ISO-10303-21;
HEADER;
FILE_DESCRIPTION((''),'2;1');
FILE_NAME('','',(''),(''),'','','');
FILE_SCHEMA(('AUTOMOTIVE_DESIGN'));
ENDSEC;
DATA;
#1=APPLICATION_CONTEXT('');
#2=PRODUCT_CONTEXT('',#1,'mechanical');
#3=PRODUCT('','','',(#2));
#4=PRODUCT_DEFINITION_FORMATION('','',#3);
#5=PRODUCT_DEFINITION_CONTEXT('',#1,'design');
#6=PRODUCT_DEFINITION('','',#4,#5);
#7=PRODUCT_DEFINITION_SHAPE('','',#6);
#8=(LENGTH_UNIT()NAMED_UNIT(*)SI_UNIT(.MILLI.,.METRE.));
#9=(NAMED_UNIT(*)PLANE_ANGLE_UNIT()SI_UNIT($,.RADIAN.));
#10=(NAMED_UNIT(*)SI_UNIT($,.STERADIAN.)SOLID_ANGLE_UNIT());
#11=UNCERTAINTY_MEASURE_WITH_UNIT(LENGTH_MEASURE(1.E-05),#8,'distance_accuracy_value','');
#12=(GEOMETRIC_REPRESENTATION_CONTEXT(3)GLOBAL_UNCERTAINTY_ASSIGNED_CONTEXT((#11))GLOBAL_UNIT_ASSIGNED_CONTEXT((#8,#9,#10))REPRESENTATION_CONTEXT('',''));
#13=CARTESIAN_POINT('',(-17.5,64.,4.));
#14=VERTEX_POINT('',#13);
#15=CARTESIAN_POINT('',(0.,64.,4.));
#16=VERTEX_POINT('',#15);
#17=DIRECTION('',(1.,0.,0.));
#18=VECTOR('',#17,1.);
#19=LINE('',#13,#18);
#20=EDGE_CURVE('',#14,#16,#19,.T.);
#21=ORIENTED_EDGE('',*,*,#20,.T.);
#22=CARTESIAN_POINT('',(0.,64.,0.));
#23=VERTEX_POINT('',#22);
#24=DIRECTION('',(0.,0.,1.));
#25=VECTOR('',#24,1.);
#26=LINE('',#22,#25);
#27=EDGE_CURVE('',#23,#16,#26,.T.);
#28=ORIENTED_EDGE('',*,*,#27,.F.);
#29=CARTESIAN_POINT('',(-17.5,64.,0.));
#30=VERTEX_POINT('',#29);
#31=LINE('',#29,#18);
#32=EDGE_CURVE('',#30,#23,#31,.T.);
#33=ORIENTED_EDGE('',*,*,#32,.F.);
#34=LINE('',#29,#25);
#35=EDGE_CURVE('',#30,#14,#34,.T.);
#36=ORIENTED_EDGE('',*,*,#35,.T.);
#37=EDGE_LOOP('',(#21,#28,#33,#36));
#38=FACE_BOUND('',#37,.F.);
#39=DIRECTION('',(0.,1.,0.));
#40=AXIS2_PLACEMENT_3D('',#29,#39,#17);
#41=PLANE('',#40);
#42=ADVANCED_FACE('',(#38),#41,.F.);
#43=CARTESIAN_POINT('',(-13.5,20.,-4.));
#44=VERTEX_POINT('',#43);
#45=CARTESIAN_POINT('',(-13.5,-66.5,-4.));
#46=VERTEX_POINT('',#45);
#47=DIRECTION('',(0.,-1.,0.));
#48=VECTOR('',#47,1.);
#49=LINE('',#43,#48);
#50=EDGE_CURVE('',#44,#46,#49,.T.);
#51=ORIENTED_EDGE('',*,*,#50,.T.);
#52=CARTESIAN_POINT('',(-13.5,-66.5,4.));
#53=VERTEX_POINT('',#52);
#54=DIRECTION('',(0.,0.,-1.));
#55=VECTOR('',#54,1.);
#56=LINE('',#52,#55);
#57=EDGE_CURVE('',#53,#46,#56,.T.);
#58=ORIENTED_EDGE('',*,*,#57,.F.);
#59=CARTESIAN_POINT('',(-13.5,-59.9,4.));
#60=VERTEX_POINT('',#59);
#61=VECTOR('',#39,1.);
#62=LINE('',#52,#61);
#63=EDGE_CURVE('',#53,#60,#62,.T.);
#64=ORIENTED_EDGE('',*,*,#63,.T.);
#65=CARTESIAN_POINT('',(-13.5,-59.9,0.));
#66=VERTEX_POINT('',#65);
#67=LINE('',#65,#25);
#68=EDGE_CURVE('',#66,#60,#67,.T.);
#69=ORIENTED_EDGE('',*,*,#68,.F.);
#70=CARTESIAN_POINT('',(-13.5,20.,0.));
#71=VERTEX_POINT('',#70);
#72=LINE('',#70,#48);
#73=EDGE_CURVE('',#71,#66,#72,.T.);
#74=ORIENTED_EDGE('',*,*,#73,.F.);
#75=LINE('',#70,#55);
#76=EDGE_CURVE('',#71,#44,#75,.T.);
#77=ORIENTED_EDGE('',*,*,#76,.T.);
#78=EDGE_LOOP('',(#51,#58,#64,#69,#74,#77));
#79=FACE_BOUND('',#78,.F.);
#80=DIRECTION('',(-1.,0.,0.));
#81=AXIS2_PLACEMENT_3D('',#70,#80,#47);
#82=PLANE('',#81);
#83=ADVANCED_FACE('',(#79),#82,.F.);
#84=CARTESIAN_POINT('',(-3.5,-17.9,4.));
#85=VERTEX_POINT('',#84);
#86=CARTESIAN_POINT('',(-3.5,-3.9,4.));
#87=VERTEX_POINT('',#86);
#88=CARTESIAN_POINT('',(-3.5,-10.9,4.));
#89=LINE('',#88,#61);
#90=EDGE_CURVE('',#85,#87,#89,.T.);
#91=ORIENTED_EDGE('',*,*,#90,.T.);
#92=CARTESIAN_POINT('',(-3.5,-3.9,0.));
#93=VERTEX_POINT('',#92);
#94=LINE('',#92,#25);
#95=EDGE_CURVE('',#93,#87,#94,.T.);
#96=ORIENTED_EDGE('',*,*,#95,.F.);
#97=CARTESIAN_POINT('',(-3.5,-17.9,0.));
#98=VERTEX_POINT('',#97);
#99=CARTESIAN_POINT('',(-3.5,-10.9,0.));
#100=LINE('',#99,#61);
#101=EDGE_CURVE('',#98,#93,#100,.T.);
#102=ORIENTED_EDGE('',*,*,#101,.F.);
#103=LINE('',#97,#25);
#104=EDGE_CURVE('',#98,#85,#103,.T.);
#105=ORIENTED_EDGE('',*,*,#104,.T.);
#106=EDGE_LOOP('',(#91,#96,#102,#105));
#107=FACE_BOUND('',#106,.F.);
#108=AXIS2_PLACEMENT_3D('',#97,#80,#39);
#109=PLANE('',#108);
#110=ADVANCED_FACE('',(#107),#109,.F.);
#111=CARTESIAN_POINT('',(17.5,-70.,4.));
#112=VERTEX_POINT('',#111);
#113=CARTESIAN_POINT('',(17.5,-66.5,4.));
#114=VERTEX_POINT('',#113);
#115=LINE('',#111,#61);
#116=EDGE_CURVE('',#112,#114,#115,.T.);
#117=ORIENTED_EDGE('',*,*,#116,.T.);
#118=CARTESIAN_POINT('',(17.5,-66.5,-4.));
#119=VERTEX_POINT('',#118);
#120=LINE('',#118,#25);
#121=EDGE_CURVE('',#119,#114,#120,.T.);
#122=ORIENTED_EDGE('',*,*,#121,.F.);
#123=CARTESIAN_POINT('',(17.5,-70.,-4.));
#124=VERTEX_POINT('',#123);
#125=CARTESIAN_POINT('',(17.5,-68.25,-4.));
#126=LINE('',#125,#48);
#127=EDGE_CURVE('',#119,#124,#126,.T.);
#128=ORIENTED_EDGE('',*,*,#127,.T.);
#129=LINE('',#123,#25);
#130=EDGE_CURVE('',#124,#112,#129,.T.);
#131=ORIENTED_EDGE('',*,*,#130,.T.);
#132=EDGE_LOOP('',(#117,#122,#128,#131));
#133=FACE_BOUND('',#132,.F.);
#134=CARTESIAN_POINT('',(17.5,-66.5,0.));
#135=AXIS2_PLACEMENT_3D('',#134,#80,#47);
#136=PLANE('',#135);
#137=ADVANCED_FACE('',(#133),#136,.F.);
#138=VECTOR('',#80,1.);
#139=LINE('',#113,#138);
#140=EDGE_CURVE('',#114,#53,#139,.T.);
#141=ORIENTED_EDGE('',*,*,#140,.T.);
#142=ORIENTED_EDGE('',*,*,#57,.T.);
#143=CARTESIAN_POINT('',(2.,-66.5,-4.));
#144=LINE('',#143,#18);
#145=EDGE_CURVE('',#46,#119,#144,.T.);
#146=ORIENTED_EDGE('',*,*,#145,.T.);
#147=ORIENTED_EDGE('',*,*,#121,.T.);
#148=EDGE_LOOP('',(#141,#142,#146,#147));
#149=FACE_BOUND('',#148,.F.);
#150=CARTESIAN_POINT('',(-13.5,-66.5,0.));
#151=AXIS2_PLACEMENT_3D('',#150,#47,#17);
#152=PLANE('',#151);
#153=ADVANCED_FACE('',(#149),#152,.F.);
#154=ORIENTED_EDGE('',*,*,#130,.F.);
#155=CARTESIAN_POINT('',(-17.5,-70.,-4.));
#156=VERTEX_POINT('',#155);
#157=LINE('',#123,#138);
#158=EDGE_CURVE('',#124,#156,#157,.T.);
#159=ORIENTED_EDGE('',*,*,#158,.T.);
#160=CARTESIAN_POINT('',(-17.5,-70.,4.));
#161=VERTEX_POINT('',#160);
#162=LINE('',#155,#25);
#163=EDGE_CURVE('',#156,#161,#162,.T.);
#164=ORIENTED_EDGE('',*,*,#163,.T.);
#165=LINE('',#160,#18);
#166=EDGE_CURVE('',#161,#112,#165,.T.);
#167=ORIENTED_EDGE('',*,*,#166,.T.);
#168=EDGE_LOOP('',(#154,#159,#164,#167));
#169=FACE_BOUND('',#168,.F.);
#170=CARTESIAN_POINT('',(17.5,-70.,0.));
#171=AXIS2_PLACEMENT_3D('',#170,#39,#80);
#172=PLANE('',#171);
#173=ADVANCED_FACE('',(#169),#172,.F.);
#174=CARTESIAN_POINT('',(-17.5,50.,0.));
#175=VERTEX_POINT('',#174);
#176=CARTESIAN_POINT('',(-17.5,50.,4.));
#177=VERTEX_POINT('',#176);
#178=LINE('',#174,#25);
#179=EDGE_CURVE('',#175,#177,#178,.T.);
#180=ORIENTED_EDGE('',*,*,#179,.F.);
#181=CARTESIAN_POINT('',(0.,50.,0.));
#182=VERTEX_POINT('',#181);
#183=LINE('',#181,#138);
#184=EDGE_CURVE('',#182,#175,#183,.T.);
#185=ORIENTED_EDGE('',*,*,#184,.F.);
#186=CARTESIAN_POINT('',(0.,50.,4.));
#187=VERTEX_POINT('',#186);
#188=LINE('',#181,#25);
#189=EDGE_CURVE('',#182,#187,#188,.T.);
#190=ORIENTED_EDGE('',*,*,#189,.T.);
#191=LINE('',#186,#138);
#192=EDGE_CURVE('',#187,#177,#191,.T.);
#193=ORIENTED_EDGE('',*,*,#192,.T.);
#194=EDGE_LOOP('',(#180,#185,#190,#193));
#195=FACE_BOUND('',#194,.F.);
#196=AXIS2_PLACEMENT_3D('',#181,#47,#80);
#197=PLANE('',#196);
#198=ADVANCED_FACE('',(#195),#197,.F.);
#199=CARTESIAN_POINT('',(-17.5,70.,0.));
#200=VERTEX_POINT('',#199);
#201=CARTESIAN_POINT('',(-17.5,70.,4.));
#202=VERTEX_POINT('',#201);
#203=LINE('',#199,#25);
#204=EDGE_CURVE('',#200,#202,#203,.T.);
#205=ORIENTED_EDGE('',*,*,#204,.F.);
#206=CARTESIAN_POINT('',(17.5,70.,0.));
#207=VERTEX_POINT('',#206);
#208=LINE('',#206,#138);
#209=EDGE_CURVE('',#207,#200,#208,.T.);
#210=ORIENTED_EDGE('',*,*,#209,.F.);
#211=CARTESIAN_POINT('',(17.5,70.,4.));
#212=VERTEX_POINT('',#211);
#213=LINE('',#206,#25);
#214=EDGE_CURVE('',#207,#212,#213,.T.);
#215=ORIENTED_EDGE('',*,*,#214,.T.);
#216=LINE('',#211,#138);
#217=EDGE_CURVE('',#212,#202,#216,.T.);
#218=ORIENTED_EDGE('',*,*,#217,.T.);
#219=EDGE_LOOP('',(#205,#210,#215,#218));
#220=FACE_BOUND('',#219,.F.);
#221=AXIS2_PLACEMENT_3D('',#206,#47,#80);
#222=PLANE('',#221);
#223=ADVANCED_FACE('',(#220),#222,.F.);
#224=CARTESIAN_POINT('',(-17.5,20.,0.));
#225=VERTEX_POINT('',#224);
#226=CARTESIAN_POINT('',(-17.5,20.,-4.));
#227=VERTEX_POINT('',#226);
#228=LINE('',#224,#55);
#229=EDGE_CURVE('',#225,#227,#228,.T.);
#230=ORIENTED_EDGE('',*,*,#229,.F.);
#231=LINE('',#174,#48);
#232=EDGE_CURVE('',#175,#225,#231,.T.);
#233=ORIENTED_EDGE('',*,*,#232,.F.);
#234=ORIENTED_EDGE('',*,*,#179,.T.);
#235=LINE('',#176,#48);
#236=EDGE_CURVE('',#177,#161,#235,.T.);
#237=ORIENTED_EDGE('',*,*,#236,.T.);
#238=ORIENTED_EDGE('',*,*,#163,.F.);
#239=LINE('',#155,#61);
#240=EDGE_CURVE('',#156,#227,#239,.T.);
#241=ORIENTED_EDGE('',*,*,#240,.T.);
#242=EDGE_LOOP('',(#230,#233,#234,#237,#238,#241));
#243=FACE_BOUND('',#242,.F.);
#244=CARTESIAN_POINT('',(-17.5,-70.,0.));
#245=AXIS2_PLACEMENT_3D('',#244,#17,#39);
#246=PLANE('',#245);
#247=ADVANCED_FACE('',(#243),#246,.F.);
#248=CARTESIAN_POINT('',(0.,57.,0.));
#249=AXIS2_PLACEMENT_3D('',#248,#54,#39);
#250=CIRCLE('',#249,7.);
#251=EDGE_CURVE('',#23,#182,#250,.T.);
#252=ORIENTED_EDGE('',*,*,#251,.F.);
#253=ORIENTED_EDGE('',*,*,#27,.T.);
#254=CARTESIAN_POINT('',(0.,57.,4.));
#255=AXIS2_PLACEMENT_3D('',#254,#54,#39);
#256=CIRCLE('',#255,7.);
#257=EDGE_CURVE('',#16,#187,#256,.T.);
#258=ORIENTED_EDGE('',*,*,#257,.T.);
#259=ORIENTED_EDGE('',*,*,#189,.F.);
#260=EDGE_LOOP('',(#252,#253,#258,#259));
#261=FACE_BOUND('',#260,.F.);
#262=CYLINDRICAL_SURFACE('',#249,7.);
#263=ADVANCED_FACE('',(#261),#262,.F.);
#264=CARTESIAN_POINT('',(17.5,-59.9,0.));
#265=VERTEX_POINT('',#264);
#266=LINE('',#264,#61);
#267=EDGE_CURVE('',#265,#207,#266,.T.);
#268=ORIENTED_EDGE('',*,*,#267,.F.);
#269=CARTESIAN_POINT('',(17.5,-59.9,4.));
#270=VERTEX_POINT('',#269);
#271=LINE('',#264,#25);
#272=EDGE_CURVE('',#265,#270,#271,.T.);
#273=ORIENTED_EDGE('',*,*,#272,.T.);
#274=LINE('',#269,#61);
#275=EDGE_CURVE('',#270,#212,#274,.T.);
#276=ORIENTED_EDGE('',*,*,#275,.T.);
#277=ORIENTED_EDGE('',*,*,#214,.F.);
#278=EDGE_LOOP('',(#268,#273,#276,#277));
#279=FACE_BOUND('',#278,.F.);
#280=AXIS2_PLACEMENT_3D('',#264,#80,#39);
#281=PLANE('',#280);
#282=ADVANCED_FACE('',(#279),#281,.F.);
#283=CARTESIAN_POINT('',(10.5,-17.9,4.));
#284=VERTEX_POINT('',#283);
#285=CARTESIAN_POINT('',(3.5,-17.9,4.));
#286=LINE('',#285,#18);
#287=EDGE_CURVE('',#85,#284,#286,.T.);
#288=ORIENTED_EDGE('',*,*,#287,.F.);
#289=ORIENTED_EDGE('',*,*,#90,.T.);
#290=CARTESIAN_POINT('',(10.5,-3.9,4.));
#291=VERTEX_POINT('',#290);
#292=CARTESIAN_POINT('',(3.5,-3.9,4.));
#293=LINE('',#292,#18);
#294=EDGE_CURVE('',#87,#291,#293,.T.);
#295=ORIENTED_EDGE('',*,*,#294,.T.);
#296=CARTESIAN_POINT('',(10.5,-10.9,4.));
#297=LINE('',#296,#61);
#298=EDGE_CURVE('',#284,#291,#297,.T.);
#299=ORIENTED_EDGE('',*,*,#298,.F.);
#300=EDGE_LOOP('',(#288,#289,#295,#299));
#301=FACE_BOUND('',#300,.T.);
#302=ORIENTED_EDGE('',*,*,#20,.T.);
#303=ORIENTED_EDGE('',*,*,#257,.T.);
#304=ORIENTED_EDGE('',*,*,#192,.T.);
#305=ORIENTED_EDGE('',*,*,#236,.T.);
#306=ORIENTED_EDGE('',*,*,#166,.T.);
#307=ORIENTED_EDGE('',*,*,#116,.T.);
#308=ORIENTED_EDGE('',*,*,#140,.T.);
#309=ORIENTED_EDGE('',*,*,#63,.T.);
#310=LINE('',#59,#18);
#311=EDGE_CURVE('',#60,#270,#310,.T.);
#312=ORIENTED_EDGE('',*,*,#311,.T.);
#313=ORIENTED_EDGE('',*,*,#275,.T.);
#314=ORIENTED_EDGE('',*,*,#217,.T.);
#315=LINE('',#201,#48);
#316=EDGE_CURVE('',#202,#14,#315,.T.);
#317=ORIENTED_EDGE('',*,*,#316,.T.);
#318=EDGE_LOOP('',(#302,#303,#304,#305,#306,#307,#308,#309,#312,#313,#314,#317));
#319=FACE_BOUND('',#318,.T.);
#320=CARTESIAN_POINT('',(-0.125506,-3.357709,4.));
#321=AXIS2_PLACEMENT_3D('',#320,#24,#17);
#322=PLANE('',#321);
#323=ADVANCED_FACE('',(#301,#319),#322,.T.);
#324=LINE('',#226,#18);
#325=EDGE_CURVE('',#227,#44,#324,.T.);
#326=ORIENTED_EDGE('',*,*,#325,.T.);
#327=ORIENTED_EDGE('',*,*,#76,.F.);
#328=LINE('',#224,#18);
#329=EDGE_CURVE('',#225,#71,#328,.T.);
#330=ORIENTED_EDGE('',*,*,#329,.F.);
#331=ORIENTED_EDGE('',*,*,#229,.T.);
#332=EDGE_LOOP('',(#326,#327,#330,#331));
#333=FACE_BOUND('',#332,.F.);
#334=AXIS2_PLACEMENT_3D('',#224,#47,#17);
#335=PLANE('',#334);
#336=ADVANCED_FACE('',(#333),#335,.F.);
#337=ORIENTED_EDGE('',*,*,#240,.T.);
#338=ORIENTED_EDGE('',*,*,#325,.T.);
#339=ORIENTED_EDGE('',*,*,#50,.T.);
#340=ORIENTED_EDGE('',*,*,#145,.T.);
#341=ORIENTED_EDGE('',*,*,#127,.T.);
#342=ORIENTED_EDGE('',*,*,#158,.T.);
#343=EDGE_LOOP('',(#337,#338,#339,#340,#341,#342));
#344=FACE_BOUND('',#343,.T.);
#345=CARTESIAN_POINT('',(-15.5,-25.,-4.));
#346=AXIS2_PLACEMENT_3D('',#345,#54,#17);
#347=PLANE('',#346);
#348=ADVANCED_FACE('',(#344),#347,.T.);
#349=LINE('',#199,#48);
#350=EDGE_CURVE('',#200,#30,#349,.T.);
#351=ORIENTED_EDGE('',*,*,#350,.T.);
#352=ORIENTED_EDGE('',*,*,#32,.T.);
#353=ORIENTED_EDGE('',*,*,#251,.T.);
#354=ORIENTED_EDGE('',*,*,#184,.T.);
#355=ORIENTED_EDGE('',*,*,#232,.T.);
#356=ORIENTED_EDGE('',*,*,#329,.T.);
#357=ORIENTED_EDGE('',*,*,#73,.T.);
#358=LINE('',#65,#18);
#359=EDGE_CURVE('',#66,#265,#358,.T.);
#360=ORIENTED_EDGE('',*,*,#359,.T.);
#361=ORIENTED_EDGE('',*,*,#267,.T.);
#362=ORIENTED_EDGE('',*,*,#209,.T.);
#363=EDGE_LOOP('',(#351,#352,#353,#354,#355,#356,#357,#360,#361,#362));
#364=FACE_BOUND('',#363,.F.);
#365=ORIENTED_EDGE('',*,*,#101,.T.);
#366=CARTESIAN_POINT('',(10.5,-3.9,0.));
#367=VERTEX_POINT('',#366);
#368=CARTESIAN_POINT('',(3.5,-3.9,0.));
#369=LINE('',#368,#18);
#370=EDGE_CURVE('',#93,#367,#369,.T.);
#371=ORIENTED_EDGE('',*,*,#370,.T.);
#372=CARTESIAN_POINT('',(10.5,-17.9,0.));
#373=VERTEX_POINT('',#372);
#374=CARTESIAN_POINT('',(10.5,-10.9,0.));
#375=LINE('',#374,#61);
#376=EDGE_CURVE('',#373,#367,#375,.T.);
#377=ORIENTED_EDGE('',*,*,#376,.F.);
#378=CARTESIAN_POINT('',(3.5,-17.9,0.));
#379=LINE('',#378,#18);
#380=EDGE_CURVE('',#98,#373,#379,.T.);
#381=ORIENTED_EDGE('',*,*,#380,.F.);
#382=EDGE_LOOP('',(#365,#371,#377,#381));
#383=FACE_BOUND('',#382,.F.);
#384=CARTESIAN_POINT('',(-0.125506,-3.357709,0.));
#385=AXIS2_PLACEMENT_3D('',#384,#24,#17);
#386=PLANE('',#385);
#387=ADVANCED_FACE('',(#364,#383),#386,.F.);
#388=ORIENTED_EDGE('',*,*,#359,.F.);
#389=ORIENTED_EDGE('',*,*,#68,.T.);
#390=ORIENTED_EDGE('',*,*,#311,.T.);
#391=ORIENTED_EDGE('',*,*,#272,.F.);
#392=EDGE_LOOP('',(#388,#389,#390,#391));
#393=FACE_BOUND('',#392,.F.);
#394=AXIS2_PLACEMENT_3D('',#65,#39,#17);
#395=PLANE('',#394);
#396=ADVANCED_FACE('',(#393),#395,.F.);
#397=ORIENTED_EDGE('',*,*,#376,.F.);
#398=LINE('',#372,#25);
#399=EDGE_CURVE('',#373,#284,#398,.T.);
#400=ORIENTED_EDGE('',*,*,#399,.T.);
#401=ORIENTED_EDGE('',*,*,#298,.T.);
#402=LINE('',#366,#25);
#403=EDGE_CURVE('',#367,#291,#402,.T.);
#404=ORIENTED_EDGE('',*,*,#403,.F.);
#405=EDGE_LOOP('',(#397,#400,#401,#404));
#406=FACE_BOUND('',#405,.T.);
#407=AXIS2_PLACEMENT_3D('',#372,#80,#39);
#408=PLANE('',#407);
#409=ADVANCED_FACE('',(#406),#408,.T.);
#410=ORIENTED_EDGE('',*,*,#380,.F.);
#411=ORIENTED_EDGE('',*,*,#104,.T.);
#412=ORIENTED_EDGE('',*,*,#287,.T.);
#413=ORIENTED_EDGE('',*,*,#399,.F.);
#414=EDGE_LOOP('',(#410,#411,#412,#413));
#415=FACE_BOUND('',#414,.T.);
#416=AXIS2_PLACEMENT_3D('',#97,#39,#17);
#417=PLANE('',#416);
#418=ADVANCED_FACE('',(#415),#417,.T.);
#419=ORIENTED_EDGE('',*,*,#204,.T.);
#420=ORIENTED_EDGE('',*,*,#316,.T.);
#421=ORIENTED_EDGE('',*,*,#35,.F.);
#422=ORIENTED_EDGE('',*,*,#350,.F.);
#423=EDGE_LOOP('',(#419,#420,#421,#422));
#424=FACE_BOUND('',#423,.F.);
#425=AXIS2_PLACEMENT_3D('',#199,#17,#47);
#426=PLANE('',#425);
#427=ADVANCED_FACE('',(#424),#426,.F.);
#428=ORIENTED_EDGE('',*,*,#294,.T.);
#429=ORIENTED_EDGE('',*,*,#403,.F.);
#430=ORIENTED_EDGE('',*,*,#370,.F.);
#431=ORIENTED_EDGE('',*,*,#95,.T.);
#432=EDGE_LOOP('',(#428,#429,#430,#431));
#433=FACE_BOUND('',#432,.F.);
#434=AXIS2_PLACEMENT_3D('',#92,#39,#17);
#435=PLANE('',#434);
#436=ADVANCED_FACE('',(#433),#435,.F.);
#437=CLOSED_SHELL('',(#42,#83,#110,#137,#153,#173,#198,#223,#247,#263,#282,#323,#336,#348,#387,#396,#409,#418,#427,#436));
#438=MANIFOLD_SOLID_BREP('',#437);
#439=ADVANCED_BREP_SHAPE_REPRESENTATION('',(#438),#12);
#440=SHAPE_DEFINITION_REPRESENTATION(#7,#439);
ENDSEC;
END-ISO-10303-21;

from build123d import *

# Parameters (mm, degrees)
F0_W     = 14
F0_H     = 14
F1_DEPTH = 4
F2_W     = 31
F2_H     = 3.5
F3_DEPTH = 4


with BuildPart() as f1:
    # F0 (on Top) → F1 (new body)
    with BuildSketch(Plane.XY):
        with BuildLine():
            Line((17.5, -59.9), (17.5, 70))
            Line((17.5, 70), (-17.5, 70))
            Line((-17.5, 70), (-17.5, 64))
            Line((-17.5, 64), (0, 64))
            ThreePointArc((0, 64), (7, 57), (0, 50))
            Line((0, 50), (-17.5, 50))
            Line((-17.5, 50), (-17.5, -70))
            Line((-17.5, -70), (17.5, -70))
            Line((17.5, -70), (17.5, -66.5))
            Line((17.5, -66.5), (-13.5, -66.5))
            Line((-13.5, -66.5), (-13.5, -59.9))
            Line((-13.5, -59.9), (17.5, -59.9))
        make_face()
        with Locations((3.5, -10.9)):
            Rectangle(F0_W, F0_H, mode=Mode.SUBTRACT)
    extrude(amount=F1_DEPTH)

    # F2 (on face) → F3 (join)
    with BuildSketch(Plane(origin=(0, 0, 0), x_dir=(1, 0, 0), z_dir=(0, 0, -1))):
        Polygon((-13.5, 70), (-17.5, 70), (-17.5, -20), (-13.5, -20), (-13.5, 66.5), align=None)
        with Locations((2, 68.25)):
            Rectangle(F2_W, F2_H)
    extrude(amount=F3_DEPTH)


solid = f1.part
